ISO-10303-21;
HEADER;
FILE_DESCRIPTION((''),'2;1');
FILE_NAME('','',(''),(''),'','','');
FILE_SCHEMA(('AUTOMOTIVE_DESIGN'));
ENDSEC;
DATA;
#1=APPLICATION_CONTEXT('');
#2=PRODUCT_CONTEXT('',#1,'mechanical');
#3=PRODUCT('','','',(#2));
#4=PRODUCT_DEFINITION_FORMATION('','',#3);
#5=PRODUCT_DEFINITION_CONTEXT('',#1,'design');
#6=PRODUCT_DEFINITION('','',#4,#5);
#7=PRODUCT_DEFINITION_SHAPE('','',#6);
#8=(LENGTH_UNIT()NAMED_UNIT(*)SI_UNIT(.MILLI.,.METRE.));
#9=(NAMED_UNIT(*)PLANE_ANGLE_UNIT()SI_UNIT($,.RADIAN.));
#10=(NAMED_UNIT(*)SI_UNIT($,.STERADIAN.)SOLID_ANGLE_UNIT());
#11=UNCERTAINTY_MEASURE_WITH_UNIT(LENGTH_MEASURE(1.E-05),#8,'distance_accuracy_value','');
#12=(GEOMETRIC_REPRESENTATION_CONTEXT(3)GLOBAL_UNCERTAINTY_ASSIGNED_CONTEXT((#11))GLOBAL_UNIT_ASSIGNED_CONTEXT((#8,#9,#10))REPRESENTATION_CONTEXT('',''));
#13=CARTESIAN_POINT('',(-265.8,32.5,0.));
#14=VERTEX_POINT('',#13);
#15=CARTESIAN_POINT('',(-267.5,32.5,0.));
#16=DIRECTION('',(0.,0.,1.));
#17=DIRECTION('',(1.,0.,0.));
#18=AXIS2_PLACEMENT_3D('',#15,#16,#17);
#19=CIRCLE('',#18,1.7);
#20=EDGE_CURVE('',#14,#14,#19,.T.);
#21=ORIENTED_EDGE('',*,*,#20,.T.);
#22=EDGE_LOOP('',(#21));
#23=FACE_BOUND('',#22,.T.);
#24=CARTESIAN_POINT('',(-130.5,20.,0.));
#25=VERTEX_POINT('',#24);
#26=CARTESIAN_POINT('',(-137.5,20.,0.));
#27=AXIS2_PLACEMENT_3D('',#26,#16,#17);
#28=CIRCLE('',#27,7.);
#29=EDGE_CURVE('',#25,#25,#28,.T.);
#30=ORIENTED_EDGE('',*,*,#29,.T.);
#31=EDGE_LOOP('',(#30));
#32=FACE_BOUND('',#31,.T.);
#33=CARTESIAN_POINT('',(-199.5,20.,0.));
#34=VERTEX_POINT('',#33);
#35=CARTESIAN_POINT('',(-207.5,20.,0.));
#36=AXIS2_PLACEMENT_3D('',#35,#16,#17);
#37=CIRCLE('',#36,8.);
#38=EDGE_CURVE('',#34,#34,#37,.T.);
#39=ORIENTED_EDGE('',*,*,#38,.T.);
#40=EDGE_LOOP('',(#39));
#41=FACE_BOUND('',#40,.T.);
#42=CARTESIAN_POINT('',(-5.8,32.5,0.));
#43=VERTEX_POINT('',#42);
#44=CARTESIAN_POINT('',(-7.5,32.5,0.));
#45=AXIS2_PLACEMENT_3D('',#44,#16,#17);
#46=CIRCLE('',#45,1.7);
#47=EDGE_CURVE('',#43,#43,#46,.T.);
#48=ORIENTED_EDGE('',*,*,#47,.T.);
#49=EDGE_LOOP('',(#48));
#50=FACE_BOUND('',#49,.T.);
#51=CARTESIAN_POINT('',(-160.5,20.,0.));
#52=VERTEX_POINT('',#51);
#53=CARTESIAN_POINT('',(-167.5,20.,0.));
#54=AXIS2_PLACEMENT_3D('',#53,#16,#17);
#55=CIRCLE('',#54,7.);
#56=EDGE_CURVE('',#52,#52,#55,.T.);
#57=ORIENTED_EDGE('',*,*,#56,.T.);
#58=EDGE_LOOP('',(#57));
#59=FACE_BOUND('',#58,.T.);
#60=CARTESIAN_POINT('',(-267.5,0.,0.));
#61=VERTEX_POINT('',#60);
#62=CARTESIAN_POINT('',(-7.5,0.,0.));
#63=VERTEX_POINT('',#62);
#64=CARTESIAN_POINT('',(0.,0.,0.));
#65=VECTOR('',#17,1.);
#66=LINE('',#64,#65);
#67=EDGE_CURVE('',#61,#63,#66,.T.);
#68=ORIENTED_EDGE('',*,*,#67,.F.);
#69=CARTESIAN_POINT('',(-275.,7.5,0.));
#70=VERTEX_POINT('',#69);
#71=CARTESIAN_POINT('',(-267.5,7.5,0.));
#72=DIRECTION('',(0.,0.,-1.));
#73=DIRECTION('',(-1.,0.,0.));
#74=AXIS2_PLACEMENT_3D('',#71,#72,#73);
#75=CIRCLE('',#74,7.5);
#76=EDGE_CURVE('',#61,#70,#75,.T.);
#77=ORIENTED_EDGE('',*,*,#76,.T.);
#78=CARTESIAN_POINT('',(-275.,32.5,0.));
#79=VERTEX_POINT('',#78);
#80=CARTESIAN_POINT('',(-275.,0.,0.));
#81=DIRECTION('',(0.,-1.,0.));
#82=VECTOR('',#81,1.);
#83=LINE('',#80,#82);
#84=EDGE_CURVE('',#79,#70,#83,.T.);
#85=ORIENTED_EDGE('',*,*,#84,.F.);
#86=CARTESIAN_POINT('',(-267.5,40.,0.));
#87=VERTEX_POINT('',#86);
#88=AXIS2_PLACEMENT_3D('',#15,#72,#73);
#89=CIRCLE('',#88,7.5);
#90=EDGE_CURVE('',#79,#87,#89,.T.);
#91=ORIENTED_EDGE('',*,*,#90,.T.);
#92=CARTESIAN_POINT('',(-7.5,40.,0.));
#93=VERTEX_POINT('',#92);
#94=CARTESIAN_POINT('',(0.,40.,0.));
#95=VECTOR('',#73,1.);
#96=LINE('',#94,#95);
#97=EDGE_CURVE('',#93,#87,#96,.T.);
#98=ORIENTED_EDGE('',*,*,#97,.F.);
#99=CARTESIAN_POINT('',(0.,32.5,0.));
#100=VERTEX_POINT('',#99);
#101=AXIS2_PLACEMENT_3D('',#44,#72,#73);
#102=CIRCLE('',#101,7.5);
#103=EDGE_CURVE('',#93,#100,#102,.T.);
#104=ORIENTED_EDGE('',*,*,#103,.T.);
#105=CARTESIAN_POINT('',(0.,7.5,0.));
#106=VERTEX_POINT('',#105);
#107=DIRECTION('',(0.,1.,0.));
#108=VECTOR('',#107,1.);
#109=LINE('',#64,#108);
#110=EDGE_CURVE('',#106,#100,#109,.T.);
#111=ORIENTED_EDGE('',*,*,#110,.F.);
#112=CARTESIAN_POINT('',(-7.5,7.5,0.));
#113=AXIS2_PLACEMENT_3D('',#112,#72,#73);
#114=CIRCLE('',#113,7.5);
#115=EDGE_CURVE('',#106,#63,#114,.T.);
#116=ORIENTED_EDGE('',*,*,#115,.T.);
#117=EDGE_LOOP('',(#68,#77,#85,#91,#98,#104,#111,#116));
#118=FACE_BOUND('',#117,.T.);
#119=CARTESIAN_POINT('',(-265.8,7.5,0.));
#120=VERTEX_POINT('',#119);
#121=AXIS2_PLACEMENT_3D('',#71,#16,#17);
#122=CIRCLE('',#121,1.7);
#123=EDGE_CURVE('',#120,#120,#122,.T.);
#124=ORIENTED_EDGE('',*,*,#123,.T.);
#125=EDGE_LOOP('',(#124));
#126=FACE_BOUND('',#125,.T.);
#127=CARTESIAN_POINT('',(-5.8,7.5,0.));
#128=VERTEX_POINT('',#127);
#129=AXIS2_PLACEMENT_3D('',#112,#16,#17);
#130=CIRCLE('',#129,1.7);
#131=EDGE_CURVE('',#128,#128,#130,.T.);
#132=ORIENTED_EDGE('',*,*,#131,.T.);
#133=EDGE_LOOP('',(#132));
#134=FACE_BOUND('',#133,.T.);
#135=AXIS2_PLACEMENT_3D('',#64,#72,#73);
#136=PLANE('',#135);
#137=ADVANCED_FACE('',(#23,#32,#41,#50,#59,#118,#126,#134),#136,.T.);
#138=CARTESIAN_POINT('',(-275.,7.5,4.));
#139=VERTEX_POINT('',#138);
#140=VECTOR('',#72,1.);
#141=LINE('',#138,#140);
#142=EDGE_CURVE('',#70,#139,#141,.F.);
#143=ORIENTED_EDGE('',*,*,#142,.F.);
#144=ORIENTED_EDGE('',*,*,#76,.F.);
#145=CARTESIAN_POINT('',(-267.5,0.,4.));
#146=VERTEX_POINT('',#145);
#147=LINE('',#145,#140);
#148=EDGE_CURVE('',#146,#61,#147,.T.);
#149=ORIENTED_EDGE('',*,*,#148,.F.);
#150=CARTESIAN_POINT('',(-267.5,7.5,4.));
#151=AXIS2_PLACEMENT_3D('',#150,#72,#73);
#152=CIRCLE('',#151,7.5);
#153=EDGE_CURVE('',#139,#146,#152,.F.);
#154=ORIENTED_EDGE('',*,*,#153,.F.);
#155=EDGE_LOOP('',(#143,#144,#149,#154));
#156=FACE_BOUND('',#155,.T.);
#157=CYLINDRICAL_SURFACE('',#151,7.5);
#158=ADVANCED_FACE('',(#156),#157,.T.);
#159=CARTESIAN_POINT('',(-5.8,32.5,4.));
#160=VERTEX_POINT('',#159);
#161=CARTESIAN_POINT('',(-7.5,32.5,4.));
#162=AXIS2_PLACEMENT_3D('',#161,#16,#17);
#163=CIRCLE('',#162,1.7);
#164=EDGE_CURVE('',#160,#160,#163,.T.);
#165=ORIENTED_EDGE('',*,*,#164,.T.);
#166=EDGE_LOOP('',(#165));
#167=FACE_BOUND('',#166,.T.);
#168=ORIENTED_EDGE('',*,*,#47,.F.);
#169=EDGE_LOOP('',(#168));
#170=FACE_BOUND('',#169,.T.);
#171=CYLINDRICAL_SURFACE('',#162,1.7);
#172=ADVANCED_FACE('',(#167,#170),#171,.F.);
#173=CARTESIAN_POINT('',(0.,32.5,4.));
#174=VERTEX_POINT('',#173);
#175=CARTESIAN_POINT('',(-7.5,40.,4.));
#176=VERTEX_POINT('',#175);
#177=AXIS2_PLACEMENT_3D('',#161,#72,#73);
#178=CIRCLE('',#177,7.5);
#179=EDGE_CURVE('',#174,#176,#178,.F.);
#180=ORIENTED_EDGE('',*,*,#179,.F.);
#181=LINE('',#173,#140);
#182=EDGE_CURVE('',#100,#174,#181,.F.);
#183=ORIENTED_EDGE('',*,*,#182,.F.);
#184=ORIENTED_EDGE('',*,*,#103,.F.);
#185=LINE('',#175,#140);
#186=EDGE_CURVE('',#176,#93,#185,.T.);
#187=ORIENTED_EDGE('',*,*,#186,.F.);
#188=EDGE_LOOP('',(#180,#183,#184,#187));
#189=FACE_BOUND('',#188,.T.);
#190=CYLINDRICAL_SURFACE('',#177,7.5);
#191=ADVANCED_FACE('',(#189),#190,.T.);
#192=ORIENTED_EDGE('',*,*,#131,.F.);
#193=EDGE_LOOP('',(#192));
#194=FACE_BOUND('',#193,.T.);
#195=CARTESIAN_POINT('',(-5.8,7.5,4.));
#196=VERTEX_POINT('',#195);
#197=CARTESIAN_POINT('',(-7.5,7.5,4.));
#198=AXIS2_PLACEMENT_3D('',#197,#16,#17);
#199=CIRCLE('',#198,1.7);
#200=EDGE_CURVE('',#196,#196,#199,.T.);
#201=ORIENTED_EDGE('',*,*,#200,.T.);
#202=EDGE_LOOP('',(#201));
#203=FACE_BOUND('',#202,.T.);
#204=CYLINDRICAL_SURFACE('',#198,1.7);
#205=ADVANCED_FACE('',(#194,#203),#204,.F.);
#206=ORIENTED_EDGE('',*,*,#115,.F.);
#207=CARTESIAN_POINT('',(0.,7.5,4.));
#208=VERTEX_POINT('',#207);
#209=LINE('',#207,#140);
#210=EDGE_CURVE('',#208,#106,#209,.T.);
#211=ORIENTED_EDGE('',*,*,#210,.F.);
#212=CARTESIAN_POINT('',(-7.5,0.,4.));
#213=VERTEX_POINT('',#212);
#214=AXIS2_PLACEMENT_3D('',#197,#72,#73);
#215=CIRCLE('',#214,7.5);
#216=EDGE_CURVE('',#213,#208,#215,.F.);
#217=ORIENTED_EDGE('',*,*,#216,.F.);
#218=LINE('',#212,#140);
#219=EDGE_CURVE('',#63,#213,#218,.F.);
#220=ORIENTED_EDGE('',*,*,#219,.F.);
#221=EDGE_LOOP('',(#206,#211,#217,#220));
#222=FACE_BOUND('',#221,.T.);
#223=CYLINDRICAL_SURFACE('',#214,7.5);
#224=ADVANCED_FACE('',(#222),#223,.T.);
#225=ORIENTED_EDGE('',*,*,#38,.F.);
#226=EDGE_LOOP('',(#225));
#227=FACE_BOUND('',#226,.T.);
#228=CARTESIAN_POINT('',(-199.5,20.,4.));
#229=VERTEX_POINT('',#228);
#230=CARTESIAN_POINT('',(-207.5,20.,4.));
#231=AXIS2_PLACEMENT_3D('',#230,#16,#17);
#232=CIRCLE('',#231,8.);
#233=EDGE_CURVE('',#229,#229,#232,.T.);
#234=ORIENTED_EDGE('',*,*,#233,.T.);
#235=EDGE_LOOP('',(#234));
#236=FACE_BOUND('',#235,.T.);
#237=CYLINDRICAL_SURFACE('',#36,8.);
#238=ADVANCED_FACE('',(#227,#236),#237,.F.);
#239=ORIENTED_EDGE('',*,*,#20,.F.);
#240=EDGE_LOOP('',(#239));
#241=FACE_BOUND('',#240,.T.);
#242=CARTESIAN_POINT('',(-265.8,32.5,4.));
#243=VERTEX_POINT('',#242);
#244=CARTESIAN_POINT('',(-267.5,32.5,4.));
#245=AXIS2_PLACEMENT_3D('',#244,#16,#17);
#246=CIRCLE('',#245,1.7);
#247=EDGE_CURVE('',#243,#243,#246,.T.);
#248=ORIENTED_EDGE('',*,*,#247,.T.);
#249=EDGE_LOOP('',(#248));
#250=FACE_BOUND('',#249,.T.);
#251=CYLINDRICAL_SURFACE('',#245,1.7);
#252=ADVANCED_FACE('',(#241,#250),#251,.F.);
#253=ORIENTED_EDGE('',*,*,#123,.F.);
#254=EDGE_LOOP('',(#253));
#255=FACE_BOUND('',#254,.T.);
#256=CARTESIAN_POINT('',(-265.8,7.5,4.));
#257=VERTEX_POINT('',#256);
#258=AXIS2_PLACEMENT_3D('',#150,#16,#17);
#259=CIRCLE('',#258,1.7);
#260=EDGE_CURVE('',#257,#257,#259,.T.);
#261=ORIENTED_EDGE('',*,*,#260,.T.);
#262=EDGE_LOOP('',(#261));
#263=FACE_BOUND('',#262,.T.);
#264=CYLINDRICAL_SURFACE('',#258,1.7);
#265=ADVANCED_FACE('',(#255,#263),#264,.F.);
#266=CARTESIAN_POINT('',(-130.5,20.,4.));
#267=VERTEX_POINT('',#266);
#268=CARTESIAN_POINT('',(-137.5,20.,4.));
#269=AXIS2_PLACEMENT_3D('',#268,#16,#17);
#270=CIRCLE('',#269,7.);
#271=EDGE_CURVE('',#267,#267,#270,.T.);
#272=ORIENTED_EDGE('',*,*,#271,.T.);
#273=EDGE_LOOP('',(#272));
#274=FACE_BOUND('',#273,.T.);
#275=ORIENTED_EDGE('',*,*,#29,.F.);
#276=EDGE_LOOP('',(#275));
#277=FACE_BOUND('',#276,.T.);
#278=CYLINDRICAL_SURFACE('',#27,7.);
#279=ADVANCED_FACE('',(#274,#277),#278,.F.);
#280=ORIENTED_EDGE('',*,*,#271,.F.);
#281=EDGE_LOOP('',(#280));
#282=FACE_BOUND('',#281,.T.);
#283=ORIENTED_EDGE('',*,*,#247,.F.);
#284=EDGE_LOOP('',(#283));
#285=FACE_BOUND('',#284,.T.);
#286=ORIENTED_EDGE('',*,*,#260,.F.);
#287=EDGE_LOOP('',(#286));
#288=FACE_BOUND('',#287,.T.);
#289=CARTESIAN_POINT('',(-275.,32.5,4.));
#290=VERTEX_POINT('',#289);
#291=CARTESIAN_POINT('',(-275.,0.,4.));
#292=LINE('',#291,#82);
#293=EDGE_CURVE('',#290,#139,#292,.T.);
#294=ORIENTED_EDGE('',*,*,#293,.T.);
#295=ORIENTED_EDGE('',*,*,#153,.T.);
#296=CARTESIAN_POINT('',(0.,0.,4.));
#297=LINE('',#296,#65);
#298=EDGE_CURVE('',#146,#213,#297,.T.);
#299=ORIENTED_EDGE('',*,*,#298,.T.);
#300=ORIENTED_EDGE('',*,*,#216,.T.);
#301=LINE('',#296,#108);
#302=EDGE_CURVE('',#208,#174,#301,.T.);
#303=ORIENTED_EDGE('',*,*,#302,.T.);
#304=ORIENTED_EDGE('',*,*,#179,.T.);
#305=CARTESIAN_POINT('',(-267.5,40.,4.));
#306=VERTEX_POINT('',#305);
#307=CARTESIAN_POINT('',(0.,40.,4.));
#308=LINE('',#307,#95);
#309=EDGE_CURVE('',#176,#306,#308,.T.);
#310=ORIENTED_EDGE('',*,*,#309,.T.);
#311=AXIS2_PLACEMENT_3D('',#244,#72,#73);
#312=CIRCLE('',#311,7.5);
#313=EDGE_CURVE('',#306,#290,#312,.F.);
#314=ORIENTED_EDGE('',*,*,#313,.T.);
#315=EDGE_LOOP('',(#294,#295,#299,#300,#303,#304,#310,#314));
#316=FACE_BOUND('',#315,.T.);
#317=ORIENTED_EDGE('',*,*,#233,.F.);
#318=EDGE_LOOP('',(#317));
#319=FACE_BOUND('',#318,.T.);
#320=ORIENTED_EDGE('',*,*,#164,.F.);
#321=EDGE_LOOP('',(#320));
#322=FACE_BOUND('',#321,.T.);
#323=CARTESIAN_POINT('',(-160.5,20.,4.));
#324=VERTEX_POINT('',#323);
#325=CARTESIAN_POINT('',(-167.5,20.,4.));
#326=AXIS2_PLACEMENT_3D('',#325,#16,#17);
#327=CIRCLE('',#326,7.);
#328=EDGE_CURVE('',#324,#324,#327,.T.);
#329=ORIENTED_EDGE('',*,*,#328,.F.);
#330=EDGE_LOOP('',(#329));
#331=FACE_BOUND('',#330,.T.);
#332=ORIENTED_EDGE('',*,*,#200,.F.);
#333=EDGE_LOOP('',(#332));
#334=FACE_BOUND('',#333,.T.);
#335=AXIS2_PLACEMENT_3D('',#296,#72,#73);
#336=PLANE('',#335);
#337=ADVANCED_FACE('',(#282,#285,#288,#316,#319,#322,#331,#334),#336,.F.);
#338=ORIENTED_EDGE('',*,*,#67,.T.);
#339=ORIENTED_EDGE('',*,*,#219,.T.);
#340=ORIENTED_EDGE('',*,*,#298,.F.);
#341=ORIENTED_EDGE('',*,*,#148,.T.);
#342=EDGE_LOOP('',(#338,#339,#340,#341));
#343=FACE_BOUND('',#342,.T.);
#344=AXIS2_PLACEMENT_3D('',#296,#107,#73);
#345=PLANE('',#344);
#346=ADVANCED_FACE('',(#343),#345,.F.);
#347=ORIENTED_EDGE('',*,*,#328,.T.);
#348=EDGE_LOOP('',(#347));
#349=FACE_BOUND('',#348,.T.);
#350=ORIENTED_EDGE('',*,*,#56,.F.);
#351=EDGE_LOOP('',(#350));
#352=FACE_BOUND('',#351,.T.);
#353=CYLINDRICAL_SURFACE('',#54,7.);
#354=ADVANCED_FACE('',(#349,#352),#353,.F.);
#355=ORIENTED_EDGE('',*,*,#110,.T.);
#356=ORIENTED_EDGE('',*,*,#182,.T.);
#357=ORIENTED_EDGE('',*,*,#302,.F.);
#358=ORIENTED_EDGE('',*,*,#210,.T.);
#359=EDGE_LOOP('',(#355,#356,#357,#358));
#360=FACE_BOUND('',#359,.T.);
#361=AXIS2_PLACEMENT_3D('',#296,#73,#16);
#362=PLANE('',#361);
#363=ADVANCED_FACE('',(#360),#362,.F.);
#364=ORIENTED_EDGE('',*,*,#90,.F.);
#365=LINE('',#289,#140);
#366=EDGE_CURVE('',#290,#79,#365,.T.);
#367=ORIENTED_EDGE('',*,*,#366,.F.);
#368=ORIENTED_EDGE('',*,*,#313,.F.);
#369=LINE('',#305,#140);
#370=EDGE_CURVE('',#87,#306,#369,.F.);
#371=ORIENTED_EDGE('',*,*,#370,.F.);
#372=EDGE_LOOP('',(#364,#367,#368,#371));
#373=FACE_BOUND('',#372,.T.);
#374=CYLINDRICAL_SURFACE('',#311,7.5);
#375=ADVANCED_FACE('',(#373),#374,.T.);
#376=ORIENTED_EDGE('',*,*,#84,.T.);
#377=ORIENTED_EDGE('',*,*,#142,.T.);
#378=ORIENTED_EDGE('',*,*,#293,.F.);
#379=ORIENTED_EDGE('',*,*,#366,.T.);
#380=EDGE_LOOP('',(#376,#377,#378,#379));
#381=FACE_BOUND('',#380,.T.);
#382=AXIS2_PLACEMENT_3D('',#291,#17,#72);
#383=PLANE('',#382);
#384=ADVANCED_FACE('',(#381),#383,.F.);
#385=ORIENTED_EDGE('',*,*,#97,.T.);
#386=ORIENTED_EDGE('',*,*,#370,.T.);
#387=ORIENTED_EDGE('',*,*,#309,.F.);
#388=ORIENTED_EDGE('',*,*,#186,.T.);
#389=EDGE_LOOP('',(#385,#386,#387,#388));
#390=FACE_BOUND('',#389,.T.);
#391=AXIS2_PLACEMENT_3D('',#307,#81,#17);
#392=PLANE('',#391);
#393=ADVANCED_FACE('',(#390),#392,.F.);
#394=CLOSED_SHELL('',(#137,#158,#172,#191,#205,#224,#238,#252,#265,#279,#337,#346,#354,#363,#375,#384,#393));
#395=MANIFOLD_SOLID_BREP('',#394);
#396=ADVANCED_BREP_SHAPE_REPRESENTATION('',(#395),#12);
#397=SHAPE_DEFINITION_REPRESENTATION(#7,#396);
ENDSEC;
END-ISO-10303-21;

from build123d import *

# Parameters (mm, degrees)
SKETCH_1_W          = 40
SKETCH_1_H          = 275
EXTRUDE_1_DEPTH     = 4
SKETCH_2_R          = 8
SKETCH_2_R_2        = 7
CUT_EXTRUDE_1_DEPTH = 5
HOLE_WIZARD_M3_1_D  = 3.4
FILLET_1_R          = 7.5


with BuildPart() as part:
    # ｽｹｯﾁ1 → ﾎﾞｽ - 押し出し1 (new body)
    with BuildSketch(Plane(origin=(0, 0, 0), x_dir=(0, 1, 0), z_dir=(0, 0, 1))):
        with Locations((20, 137.5)):
            Rectangle(SKETCH_1_W, SKETCH_1_H)
    extrude(amount=EXTRUDE_1_DEPTH)

    # ｽｹｯﾁ2 → ｶｯﾄ - 押し出し1 (cut, through all)
    with BuildSketch(Plane.XY.offset(4)):
        with Locations((-207.5, 20)):
            Circle(SKETCH_2_R)
        with Locations((-167.5, 20)):
            Circle(SKETCH_2_R_2)
        with Locations((-137.5, 20)):
            Circle(SKETCH_2_R_2)
    extrude(amount=-CUT_EXTRUDE_1_DEPTH, mode=Mode.SUBTRACT)

    # M3 すきま穴1 (through all)
    with Locations(Plane.XY.offset(4)):
        with Locations((-267.5, 32.5), (-267.5, 7.5), (-7.5, 7.5), (-7.5, 32.5)):
            Hole(HOLE_WIZARD_M3_1_D / 2)

    # ﾌｨﾚｯﾄ1
    fillet_1_edges = [part.edges().sort_by_distance(p)[0] for p in [
        (-275, 0, 2),
        (-275, 40, 2),
        (0, 40, 2),
        (0, 0, 2),
    ]]
    fillet(fillet_1_edges, radius=FILLET_1_R)


solid = part.part
